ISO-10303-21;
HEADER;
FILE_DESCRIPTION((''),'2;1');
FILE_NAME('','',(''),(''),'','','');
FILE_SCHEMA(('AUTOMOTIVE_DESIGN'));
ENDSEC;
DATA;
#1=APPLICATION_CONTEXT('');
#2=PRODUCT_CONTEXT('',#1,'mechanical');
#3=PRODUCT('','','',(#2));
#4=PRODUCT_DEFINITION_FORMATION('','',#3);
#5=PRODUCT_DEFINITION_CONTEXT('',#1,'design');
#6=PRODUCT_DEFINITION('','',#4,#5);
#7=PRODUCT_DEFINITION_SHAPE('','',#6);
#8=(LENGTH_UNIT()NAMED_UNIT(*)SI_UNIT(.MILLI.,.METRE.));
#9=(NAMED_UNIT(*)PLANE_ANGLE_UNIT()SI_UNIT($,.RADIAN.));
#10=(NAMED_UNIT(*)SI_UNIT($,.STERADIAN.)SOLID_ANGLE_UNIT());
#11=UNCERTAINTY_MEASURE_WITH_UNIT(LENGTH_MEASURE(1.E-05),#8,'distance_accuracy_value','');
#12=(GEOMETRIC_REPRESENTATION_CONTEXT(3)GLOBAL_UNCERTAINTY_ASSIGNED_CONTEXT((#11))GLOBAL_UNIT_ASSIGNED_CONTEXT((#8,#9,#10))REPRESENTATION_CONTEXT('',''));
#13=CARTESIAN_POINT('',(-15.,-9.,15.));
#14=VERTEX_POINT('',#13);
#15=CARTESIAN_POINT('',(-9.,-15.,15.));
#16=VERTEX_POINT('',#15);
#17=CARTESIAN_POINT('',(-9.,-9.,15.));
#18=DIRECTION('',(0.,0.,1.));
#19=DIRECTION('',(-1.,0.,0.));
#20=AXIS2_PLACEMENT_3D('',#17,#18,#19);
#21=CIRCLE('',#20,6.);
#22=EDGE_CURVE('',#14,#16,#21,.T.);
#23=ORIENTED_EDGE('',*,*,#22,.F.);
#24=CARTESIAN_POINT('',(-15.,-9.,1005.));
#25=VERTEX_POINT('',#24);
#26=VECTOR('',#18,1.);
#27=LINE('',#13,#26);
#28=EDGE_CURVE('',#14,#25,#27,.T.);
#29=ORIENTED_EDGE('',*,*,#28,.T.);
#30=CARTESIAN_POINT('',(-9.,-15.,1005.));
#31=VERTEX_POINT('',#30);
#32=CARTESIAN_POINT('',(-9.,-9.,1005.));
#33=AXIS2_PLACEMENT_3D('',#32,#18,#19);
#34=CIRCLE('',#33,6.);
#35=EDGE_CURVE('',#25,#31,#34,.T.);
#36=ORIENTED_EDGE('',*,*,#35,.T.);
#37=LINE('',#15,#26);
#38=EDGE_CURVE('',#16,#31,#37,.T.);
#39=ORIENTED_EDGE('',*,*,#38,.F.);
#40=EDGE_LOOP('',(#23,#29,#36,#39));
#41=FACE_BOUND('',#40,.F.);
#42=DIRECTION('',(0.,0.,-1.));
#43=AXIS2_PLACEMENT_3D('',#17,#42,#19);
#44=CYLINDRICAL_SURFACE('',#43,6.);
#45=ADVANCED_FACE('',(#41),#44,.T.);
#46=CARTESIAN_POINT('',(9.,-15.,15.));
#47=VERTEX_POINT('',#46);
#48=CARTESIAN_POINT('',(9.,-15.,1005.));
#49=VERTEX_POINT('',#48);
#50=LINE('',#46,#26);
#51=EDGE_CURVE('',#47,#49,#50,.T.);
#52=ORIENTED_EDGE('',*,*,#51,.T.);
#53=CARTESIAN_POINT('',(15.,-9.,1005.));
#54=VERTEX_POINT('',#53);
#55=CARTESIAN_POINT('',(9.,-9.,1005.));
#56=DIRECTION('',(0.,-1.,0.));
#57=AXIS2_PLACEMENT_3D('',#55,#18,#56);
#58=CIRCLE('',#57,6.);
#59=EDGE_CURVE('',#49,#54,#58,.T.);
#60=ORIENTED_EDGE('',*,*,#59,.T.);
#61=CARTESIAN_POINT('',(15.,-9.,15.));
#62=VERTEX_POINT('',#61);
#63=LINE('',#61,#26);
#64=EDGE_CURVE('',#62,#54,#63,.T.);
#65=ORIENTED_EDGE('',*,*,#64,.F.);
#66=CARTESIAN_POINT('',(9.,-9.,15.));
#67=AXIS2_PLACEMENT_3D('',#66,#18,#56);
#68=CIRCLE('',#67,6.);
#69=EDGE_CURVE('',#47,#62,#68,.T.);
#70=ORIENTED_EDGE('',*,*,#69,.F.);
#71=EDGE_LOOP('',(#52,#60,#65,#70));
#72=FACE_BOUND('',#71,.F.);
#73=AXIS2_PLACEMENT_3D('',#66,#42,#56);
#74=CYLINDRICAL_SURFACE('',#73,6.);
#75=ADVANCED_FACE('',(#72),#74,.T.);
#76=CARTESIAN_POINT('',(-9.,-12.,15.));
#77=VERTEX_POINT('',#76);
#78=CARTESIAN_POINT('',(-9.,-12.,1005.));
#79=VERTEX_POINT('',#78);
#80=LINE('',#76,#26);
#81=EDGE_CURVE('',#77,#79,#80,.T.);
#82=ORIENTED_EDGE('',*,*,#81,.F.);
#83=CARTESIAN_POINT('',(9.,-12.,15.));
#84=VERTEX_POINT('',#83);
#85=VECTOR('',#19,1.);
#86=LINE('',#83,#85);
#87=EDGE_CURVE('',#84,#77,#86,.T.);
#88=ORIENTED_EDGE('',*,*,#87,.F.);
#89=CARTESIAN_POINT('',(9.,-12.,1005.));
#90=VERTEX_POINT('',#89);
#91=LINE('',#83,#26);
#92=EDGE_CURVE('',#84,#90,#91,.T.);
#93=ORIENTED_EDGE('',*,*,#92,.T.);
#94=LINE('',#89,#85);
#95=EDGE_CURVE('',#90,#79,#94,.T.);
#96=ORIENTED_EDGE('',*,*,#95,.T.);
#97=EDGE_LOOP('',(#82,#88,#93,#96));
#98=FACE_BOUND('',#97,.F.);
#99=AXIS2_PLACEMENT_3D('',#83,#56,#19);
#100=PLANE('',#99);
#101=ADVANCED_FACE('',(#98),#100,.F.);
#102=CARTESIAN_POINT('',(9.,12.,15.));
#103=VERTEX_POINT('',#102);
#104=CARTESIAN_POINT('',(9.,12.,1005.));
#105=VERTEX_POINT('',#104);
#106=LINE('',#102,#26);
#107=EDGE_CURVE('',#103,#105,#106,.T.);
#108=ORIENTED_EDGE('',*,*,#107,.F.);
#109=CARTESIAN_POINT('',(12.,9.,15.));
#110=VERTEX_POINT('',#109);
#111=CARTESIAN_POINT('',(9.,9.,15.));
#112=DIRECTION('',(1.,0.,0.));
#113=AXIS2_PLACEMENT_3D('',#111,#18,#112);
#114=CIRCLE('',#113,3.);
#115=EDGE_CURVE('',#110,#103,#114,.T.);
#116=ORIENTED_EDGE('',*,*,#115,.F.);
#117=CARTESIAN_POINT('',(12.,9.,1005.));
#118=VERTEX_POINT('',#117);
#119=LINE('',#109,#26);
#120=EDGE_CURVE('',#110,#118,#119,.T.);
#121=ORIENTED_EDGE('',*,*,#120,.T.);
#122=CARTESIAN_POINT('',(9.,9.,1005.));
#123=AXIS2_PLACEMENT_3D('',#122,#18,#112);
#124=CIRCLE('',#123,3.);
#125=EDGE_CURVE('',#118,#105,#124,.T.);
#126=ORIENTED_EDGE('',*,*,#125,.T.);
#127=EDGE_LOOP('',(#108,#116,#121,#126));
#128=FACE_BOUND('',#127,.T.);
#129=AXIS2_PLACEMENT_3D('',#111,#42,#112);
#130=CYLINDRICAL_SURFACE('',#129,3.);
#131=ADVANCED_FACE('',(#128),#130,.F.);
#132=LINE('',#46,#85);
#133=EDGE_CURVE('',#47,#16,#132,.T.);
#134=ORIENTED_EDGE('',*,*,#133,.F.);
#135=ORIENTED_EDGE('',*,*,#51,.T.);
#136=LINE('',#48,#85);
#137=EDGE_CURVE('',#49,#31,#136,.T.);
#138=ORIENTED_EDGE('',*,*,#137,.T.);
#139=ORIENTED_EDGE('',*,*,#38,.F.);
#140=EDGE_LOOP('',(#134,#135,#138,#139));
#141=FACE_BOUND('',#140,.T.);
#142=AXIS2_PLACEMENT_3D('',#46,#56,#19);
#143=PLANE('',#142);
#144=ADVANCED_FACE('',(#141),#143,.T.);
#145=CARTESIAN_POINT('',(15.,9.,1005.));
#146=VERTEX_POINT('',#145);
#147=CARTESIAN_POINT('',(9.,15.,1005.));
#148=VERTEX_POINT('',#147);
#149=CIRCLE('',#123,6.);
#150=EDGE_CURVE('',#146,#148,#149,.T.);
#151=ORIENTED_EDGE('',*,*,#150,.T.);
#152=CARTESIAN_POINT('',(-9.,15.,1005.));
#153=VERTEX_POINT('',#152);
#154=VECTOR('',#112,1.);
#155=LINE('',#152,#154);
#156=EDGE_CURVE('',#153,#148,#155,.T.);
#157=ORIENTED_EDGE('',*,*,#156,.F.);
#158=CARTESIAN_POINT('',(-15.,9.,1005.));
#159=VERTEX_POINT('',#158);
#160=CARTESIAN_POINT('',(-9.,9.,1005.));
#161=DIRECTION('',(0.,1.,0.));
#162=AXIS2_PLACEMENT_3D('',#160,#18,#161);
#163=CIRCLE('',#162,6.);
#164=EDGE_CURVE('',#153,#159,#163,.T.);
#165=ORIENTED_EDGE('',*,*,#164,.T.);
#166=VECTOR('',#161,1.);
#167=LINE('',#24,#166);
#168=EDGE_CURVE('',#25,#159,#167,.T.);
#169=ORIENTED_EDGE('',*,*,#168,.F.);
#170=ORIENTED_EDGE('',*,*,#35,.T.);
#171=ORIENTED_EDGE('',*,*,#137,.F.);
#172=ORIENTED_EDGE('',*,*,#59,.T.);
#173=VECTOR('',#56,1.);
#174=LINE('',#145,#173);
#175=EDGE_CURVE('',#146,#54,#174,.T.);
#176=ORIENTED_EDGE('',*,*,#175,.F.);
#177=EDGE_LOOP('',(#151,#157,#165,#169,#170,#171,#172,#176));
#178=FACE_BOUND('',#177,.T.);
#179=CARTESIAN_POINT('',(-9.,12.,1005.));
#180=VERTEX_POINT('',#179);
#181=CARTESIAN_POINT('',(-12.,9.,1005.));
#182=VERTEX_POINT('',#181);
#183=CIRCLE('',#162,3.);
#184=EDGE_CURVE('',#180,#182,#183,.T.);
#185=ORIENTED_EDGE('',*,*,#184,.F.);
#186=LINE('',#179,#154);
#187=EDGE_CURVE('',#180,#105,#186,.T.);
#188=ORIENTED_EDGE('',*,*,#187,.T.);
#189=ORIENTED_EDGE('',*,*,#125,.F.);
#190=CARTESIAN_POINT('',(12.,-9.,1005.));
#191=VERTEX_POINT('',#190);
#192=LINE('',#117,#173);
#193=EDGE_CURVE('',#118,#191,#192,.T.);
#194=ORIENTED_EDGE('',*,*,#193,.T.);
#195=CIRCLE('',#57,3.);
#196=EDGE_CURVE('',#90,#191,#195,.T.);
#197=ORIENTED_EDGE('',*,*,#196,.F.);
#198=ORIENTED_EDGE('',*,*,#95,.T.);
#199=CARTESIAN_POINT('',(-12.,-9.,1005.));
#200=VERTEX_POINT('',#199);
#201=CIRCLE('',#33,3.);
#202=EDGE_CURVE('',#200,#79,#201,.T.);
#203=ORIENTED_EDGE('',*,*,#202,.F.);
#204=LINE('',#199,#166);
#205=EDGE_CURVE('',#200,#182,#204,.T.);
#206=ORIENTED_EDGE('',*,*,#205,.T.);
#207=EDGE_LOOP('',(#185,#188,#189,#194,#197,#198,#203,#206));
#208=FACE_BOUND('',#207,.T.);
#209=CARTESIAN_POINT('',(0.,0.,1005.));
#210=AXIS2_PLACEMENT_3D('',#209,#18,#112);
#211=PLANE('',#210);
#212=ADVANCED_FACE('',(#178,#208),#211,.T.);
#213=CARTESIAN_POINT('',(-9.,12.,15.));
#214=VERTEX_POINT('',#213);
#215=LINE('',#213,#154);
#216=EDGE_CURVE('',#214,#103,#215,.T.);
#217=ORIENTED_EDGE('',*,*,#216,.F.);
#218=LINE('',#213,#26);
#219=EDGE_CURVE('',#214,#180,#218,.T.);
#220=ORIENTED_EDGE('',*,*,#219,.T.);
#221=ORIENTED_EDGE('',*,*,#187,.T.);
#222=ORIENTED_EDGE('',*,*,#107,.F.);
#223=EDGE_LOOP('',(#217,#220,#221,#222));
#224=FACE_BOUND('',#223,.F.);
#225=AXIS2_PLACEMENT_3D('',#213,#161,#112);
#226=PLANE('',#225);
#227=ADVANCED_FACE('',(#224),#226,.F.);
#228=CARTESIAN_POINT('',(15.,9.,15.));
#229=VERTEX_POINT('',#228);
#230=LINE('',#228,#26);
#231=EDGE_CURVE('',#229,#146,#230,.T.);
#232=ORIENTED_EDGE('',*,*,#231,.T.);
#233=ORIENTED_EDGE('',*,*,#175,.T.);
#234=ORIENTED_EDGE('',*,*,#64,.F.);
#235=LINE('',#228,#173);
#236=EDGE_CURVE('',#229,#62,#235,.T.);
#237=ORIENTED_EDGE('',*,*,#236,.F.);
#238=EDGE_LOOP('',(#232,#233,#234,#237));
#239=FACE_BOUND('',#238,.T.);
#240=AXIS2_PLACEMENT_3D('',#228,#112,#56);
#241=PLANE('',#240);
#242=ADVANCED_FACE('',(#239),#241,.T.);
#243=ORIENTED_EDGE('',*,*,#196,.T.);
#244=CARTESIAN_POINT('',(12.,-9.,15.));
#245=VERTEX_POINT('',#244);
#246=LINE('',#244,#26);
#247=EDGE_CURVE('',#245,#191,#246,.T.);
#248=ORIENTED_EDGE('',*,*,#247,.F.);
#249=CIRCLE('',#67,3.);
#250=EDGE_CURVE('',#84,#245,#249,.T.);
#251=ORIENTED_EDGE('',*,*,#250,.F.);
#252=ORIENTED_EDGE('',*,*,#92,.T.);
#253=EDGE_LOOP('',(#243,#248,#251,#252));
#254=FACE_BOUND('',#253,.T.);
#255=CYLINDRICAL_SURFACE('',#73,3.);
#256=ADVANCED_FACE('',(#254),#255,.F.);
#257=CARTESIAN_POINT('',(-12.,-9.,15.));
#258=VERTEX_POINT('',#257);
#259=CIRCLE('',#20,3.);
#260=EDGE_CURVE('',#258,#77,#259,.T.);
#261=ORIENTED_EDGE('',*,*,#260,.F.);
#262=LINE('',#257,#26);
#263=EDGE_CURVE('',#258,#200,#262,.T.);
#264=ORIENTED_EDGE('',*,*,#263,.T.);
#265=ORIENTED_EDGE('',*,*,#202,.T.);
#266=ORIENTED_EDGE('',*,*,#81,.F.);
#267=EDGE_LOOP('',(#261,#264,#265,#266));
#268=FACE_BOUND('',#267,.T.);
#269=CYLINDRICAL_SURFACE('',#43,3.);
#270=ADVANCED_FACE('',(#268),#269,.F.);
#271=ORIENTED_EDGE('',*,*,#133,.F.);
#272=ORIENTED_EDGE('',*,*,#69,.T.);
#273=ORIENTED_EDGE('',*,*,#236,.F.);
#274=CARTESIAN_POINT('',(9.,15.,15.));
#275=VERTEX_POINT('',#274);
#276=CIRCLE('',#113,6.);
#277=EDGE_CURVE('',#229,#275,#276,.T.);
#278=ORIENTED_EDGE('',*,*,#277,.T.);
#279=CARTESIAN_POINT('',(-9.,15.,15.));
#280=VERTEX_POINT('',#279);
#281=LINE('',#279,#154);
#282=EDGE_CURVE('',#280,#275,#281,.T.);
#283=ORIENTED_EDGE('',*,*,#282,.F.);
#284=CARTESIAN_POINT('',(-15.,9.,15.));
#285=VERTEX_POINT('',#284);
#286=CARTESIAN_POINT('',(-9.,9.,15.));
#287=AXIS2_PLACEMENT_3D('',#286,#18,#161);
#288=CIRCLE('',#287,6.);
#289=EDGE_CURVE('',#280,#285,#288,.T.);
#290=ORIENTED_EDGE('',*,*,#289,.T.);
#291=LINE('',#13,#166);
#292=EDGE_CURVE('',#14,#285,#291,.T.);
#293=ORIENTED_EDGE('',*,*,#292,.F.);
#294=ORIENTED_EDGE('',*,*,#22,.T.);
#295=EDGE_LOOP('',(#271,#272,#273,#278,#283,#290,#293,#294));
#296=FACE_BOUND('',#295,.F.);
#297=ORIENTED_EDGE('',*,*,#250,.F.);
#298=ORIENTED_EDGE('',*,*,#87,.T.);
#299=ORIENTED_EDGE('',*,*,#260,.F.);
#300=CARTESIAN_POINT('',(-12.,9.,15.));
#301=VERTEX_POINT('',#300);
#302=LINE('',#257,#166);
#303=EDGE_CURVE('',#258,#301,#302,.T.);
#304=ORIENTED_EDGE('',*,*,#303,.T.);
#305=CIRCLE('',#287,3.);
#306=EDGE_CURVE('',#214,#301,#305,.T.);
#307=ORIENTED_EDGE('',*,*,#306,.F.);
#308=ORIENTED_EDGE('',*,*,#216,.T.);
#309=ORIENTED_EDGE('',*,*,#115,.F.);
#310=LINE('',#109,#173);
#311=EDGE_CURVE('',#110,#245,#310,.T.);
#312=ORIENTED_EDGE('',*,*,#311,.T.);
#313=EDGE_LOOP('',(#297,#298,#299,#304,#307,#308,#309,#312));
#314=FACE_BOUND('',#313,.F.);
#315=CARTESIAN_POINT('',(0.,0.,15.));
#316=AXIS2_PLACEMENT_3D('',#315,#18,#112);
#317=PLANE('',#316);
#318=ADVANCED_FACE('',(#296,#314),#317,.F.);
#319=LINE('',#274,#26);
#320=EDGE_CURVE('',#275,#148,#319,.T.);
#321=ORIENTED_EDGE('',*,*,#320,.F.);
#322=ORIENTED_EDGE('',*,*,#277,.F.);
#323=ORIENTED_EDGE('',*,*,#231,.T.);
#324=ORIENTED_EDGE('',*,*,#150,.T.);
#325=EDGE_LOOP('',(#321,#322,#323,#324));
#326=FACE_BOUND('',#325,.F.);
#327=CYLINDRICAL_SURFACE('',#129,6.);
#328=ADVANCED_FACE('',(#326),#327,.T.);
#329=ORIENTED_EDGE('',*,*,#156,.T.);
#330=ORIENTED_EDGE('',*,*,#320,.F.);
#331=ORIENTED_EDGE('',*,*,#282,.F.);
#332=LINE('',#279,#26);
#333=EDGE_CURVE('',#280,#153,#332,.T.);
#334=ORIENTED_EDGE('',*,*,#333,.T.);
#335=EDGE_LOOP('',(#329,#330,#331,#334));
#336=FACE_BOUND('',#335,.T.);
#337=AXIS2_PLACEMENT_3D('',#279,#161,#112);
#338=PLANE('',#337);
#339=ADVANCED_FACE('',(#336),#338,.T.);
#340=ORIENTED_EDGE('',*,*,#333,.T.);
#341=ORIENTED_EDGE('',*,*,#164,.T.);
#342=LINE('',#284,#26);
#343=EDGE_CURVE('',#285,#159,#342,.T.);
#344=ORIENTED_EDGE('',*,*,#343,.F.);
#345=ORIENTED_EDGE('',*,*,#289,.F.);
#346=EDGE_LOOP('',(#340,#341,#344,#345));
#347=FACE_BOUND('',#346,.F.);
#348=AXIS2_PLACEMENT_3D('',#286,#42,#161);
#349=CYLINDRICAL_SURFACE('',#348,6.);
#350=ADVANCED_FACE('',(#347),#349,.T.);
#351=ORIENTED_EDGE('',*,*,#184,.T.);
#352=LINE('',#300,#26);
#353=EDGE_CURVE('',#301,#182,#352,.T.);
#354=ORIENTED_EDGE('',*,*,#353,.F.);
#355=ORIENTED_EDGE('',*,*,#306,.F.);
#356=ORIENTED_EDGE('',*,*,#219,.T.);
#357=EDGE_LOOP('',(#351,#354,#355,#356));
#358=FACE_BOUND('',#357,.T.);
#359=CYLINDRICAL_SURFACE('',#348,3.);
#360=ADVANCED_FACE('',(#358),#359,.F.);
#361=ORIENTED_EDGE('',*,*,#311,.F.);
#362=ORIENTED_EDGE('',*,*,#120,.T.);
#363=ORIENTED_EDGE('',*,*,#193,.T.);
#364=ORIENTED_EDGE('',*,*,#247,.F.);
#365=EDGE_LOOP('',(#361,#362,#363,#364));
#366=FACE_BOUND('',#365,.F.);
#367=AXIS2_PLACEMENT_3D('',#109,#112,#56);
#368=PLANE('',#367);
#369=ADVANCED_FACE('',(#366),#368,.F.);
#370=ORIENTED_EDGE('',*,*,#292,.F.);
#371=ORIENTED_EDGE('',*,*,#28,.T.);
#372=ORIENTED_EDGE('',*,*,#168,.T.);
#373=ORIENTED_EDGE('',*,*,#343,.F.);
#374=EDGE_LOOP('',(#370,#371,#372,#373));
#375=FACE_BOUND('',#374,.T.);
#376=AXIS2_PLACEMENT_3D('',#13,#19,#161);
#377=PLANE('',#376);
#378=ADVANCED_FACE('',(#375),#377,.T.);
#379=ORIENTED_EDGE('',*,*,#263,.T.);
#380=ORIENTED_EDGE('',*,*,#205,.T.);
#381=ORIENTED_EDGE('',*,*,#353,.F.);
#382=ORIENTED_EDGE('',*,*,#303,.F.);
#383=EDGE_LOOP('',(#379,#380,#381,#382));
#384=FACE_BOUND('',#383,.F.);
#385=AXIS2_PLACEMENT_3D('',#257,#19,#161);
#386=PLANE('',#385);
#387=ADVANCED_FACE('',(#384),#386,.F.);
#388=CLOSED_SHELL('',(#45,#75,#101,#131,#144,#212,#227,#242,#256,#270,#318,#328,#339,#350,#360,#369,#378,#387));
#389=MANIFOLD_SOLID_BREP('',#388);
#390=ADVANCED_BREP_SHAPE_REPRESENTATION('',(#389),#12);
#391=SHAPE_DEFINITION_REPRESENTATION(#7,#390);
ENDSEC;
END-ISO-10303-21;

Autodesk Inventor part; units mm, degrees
ref_plane "Start Plane" through (0, 0, 15) normal (0, 0, 1) x (1, 0, 0)
ref_plane "End Plane" through (0, 0, 1005) normal (0, 0, 1) x (1, 0, 0)
sketch "Sketch" plane through (0, 0, 0) normal (0, 0, 1) x (1, 0, 0)
  line L0 (-15, -9) -> (-15, 9)
  line L1 (-9, 15) -> (9, 15)
  line L2 (15, 9) -> (15, -9)
  line L3 (9, -15) -> (-9, -15)
  arc A0 (-15, -9) -> (-9, -15) centre (-9, -9) ccw
  arc A1 (-9, 15) -> (-15, 9) centre (-9, 9) ccw
  arc A2 (15, 9) -> (9, 15) centre (9, 9) ccw
  arc A3 (9, -15) -> (15, -9) centre (9, -9) ccw
  arc A4 (-9, 12) -> (-12, 9) centre (-9, 9) ccw
  line L4 (-9, 12) -> (9, 12)
  arc A5 (12, 9) -> (9, 12) centre (9, 9) ccw
  line L5 (12, 9) -> (12, -9)
  arc A6 (9, -12) -> (12, -9) centre (9, -9) ccw
  line L6 (9, -12) -> (-9, -12)
  arc A7 (-12, -9) -> (-9, -12) centre (-9, -9) ccw
  line L7 (-12, -9) -> (-12, 9)
  line L8 (0, 22.7397) -> (0, -22.7397) construction
  line L9 (-22.7397, 0) -> (22.7397, 0) construction
  dimension "d7" = 6
  dimension "d10" = 30
  dimension "d11" = 30
  dimension "d12" = 3
  dimension "d15" = 15
  dimension "d16" = 15
extrude "Body" add sketch "Sketch" along normal up to surface (990 mm away) from surface at 15
sketch "Sketch3" plane through (0, 0, 0) normal (0, 0, 1) x (1, 0, 0)
  line L0 (0, 0) -> (10, 0)
ref_plane "Work Plane3" through (0, 0, 0) normal (0, -1, 0) x (1, 0, 0)
ref_plane "Work Plane4" through (9, 0, 1005) normal (0, 0, 1) x (1, 0, 0)
split "Split1" plane through (9, 0, 1005) removes the side toward (0, 0, 1)
ref_plane "Work Plane5" through (1000, 9, 15) normal (0, 0, -1) x (-1, 0, 0)
split "Split2" plane through (1000, 9, 15) removes the side toward (0, 0, -1)
sketch "Sketch4" plane through (0, 0, 0) normal (0, -1, 0) x (1, 0, 0)
  line L0 (-2, 15) -> (12, 15) projected
  line L1 (-2, 1005) -> (12, 1005) projected
  dimension "d18" = 990
equation "\"d7\" = G_IR"
equation "\"d10\" = G_H"
equation "\"d11\" = G_W"
equation "\"d12\" = G_T"
equation "\"d15\" = 0.5 * d10"
equation "\"d16\" = 0.5 * d11"
equation "\"d3\" = G_L"
equation "\"G_W\" = 30"
equation "\"G_H\" = 30"
equation "\"G_T\" = 3"
equation "\"G_IR\" = 6"
equation "\"G_L\" = d18"
equation "\"G_OFFSET_START\" = -15"
equation "\"G_OFFSET_END\" = -15"
equation "\"d13\" = -G_OFFSET_START"
equation "\"d14\" = G_OFFSET_END + B_L"
equation "\"B_L\" = 1020"
properties part number "DIN EN 10219-2 - 30 x 30 x 3  - 990" material "Steel, Mild"
